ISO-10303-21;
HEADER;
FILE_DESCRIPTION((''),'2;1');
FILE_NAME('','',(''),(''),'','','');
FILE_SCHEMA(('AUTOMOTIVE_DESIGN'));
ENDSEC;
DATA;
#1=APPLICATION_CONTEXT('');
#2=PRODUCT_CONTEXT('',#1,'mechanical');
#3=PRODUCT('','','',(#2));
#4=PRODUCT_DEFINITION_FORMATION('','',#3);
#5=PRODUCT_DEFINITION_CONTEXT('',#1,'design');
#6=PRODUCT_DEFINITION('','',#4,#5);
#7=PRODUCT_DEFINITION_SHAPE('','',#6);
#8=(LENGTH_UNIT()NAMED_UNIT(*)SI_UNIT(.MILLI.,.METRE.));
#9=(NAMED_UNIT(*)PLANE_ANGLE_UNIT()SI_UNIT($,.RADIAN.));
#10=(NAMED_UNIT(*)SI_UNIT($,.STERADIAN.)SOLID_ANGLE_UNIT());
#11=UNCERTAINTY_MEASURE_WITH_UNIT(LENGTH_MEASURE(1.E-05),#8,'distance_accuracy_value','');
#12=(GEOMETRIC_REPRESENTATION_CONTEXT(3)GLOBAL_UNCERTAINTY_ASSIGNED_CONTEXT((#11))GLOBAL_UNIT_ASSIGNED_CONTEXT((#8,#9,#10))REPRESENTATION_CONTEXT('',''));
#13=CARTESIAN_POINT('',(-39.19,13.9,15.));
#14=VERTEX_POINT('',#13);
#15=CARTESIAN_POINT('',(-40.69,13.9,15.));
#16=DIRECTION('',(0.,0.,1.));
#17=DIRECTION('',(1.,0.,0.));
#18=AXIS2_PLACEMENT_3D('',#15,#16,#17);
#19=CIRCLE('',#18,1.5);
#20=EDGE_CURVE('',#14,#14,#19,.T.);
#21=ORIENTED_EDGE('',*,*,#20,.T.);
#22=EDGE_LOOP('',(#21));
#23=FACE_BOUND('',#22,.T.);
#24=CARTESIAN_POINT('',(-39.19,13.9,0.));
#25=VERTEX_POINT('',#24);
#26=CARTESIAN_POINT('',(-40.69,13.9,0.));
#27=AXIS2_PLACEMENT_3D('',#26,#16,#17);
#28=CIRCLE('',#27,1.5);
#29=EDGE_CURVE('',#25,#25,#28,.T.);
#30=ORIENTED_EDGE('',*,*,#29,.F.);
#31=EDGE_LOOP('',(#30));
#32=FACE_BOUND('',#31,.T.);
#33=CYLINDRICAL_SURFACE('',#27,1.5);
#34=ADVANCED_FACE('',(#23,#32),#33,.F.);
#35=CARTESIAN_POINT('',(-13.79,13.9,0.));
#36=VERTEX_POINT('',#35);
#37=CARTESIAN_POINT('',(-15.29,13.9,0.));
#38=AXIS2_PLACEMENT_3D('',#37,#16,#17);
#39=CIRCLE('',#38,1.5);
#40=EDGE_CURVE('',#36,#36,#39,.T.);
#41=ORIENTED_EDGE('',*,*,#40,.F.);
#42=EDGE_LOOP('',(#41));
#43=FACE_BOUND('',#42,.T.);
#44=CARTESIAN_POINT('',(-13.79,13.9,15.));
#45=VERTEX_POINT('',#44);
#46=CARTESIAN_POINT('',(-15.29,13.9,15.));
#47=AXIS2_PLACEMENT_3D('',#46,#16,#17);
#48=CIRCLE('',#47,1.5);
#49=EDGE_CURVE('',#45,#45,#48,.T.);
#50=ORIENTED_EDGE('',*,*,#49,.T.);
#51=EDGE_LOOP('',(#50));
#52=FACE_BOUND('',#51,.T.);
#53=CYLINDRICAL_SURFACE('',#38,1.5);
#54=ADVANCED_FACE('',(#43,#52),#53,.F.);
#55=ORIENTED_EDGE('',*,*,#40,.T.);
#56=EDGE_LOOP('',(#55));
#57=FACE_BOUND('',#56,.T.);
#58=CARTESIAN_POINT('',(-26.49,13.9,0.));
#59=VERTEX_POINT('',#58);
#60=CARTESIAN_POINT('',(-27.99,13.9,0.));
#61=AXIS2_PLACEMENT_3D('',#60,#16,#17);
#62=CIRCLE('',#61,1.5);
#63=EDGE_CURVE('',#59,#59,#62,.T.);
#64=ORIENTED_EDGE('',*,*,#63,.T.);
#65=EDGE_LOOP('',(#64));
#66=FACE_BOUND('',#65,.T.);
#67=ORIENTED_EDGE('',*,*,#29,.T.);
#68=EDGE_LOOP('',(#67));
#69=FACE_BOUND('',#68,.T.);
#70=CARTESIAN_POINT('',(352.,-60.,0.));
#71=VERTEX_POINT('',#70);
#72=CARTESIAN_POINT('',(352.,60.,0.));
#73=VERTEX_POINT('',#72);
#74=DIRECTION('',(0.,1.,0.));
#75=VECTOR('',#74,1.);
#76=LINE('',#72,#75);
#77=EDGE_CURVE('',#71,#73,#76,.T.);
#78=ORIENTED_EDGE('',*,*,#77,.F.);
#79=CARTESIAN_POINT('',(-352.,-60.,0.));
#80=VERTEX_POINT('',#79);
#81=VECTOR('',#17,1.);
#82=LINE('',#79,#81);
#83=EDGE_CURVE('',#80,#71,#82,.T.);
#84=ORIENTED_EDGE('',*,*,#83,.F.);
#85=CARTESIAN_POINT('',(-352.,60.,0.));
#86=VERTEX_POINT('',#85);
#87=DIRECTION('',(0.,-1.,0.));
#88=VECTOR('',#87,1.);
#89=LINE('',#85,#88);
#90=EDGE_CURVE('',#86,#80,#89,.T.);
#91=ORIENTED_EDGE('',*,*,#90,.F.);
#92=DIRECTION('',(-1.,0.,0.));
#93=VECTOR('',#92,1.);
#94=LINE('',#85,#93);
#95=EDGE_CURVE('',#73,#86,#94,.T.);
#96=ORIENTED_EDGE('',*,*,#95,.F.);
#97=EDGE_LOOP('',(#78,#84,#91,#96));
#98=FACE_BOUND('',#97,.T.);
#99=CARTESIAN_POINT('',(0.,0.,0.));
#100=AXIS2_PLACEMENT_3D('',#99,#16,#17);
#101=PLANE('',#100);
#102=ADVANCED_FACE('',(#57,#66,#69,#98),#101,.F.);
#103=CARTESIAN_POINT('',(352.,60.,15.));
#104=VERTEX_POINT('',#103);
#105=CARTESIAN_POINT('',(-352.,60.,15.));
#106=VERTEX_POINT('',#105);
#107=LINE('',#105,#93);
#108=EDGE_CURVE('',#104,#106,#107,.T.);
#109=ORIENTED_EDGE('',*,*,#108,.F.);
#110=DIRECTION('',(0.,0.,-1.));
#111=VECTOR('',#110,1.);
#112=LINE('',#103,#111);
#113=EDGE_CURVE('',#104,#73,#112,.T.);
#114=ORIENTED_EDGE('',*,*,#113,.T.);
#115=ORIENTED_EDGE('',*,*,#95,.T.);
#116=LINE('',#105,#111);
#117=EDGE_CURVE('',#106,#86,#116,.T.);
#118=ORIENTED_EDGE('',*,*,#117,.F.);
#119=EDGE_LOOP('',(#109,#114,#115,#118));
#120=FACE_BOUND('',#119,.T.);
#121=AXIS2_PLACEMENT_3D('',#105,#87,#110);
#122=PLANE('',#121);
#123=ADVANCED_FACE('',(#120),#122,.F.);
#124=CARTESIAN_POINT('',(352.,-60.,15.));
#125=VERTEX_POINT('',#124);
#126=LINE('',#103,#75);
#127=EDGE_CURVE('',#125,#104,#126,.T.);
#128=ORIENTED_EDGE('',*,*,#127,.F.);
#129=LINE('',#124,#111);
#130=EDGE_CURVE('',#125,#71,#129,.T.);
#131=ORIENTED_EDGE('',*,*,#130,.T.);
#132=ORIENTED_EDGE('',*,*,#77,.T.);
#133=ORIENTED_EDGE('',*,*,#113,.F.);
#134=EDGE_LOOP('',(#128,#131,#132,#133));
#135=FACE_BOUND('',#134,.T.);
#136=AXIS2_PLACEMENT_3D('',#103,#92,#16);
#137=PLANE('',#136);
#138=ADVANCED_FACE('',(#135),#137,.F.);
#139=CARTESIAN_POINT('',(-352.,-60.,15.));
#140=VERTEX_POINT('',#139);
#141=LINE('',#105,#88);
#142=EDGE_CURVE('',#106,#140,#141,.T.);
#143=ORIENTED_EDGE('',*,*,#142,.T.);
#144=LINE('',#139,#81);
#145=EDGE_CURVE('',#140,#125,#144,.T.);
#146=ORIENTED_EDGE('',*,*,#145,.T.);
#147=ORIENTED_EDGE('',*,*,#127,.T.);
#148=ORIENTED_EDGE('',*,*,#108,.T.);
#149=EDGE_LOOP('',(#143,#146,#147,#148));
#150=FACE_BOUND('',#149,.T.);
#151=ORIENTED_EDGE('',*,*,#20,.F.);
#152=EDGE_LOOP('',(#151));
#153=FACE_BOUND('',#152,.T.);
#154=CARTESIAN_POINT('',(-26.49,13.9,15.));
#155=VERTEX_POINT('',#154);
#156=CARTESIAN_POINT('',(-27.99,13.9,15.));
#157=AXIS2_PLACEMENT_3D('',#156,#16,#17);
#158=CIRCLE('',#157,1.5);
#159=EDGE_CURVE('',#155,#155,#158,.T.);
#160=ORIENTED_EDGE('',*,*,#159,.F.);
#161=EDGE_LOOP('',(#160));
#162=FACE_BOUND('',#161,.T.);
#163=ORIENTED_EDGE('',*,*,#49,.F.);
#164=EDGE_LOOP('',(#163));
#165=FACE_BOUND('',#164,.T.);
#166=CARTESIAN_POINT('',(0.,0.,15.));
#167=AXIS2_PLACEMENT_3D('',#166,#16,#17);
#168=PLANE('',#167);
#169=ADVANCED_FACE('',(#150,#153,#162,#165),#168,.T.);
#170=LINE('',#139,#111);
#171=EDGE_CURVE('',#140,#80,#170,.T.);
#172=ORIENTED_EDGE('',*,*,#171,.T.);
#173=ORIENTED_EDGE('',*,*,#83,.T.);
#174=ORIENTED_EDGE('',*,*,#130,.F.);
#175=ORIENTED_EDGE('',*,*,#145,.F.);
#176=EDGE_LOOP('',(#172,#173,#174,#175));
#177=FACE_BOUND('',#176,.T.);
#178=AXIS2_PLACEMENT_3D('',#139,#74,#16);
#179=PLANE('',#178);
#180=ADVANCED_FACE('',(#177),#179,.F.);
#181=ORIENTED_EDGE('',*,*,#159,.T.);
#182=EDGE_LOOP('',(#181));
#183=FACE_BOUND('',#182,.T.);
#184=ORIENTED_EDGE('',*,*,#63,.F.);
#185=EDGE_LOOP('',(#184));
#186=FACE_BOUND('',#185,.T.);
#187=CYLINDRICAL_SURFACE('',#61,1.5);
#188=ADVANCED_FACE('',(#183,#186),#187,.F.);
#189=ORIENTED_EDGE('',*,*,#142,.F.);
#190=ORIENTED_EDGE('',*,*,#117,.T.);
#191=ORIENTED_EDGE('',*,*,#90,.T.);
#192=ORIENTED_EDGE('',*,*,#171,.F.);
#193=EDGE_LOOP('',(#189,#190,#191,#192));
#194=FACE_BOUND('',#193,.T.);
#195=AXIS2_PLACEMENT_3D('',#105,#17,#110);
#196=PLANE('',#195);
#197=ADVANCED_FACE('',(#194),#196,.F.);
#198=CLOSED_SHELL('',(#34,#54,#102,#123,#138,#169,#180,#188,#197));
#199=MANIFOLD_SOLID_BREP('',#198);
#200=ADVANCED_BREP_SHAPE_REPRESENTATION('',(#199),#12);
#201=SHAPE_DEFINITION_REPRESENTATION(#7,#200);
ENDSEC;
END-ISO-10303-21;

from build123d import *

# Parameters (mm, degrees)
SKETCH_1_W          = 704
SKETCH_1_H          = 120
EXTRUDE_1_DEPTH     = 15
SKETCH_2_R          = 1.5
CUT_EXTRUDE_1_DEPTH = 358.391941711


with BuildPart() as part:
    # 草图1 → 凸台-拉伸1 (new body)
    with BuildSketch(Plane.XY):
        Rectangle(SKETCH_1_W, SKETCH_1_H)
    extrude(amount=EXTRUDE_1_DEPTH)

    # 草图2 → 切除-拉伸1 (cut, through all)
    with BuildSketch(Plane.XY.offset(15)):
        with Locations((-15.29, 13.9)):
            Circle(SKETCH_2_R)
        with Locations((-27.99, 13.9)):
            Circle(SKETCH_2_R)
        with Locations((-40.69, 13.9)):
            Circle(SKETCH_2_R)
    extrude(amount=-CUT_EXTRUDE_1_DEPTH, mode=Mode.SUBTRACT)


solid = part.part
